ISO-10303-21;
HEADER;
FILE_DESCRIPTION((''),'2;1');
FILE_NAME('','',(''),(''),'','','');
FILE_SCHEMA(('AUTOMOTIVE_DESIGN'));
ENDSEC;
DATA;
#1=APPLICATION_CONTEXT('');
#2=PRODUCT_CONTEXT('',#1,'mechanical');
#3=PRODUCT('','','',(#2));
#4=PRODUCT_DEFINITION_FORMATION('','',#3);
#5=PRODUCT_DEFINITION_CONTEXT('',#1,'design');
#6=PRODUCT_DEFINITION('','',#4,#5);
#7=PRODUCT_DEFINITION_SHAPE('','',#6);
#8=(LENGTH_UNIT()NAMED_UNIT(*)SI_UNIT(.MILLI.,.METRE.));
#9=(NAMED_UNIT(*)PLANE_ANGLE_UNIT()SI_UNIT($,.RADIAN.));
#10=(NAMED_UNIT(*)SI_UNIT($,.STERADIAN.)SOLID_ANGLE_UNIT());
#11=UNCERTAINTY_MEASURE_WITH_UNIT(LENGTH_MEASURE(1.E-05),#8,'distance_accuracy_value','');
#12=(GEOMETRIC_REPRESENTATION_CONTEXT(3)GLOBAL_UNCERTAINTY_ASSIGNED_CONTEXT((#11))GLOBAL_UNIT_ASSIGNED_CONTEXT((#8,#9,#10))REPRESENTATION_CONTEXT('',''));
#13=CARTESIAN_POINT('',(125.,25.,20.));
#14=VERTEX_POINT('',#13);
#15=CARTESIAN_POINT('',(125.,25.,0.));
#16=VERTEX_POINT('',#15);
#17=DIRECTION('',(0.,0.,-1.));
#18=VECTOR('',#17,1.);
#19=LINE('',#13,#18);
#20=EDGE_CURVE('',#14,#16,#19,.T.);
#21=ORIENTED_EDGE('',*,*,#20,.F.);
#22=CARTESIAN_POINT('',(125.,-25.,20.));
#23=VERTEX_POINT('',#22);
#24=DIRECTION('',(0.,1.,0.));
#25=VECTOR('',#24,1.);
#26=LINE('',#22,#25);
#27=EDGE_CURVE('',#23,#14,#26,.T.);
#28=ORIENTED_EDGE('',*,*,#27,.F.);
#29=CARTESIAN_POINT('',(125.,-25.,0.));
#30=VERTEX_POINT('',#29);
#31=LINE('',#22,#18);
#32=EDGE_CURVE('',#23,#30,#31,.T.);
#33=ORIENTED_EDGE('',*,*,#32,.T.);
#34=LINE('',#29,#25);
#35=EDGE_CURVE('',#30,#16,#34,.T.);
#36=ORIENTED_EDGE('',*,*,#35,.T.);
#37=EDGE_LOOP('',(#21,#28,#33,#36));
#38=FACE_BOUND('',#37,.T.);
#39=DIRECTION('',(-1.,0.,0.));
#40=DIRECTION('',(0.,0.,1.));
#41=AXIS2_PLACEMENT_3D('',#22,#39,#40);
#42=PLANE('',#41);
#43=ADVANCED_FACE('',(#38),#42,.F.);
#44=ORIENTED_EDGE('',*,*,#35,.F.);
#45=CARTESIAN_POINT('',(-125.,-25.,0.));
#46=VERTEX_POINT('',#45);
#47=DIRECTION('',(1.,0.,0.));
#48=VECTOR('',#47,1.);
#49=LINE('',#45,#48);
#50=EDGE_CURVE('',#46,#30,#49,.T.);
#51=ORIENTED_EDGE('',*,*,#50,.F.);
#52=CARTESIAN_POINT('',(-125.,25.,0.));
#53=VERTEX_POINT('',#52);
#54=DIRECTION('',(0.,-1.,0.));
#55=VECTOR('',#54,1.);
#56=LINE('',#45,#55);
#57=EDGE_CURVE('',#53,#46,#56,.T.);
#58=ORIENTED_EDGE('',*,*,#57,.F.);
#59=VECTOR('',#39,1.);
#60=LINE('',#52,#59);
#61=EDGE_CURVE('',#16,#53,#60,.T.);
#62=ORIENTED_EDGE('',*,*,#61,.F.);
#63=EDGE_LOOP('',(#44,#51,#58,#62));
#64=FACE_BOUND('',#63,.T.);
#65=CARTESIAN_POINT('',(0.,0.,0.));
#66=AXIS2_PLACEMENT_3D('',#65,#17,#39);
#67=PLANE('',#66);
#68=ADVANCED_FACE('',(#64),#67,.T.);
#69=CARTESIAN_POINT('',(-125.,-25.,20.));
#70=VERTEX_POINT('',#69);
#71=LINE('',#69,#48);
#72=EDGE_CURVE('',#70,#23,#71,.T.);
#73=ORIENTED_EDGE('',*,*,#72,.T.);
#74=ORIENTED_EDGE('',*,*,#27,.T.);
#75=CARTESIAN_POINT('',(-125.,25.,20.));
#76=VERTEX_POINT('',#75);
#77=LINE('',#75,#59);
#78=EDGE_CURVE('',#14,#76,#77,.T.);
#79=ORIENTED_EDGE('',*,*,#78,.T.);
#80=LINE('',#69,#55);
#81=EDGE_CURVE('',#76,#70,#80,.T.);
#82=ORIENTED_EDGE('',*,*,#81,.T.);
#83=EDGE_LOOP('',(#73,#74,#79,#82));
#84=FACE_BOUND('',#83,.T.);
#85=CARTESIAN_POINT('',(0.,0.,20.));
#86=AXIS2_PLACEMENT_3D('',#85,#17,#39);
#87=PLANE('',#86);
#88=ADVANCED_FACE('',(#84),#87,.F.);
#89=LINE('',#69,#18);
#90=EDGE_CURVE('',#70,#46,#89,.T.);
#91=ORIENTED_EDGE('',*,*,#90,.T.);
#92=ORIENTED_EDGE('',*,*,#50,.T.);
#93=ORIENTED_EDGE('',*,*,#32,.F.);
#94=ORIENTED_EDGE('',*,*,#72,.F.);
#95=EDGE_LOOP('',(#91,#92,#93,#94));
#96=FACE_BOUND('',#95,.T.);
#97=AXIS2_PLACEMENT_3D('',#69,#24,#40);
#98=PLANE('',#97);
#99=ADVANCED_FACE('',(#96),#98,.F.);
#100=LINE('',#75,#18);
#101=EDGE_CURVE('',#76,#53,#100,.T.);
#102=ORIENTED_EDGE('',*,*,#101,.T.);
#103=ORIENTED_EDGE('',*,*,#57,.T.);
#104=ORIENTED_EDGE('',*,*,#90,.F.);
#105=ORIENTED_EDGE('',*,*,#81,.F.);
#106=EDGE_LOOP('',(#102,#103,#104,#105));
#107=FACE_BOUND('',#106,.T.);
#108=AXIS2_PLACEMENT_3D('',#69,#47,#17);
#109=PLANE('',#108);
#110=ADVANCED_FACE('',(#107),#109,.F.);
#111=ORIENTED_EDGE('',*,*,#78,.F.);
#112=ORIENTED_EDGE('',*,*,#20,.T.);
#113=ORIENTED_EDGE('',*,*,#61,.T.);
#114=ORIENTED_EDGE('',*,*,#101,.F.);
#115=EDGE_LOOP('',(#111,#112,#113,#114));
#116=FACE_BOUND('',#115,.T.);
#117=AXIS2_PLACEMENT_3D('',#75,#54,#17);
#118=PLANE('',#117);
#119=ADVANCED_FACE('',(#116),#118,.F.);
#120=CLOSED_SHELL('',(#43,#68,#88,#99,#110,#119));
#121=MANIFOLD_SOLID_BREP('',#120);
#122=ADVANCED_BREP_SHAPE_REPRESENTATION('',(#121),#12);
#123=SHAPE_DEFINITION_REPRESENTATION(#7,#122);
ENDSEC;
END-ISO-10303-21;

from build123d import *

# Parameters (mm, degrees)
SKETCH_1_W      = 250
SKETCH_1_H      = 50
EXTRUDE_1_DEPTH = 20


with BuildPart() as part:
    # 草图1 → 凸台-拉伸1 (new body)
    with BuildSketch(Plane.XY):
        Rectangle(SKETCH_1_W, SKETCH_1_H)
    extrude(amount=EXTRUDE_1_DEPTH)


solid = part.part
